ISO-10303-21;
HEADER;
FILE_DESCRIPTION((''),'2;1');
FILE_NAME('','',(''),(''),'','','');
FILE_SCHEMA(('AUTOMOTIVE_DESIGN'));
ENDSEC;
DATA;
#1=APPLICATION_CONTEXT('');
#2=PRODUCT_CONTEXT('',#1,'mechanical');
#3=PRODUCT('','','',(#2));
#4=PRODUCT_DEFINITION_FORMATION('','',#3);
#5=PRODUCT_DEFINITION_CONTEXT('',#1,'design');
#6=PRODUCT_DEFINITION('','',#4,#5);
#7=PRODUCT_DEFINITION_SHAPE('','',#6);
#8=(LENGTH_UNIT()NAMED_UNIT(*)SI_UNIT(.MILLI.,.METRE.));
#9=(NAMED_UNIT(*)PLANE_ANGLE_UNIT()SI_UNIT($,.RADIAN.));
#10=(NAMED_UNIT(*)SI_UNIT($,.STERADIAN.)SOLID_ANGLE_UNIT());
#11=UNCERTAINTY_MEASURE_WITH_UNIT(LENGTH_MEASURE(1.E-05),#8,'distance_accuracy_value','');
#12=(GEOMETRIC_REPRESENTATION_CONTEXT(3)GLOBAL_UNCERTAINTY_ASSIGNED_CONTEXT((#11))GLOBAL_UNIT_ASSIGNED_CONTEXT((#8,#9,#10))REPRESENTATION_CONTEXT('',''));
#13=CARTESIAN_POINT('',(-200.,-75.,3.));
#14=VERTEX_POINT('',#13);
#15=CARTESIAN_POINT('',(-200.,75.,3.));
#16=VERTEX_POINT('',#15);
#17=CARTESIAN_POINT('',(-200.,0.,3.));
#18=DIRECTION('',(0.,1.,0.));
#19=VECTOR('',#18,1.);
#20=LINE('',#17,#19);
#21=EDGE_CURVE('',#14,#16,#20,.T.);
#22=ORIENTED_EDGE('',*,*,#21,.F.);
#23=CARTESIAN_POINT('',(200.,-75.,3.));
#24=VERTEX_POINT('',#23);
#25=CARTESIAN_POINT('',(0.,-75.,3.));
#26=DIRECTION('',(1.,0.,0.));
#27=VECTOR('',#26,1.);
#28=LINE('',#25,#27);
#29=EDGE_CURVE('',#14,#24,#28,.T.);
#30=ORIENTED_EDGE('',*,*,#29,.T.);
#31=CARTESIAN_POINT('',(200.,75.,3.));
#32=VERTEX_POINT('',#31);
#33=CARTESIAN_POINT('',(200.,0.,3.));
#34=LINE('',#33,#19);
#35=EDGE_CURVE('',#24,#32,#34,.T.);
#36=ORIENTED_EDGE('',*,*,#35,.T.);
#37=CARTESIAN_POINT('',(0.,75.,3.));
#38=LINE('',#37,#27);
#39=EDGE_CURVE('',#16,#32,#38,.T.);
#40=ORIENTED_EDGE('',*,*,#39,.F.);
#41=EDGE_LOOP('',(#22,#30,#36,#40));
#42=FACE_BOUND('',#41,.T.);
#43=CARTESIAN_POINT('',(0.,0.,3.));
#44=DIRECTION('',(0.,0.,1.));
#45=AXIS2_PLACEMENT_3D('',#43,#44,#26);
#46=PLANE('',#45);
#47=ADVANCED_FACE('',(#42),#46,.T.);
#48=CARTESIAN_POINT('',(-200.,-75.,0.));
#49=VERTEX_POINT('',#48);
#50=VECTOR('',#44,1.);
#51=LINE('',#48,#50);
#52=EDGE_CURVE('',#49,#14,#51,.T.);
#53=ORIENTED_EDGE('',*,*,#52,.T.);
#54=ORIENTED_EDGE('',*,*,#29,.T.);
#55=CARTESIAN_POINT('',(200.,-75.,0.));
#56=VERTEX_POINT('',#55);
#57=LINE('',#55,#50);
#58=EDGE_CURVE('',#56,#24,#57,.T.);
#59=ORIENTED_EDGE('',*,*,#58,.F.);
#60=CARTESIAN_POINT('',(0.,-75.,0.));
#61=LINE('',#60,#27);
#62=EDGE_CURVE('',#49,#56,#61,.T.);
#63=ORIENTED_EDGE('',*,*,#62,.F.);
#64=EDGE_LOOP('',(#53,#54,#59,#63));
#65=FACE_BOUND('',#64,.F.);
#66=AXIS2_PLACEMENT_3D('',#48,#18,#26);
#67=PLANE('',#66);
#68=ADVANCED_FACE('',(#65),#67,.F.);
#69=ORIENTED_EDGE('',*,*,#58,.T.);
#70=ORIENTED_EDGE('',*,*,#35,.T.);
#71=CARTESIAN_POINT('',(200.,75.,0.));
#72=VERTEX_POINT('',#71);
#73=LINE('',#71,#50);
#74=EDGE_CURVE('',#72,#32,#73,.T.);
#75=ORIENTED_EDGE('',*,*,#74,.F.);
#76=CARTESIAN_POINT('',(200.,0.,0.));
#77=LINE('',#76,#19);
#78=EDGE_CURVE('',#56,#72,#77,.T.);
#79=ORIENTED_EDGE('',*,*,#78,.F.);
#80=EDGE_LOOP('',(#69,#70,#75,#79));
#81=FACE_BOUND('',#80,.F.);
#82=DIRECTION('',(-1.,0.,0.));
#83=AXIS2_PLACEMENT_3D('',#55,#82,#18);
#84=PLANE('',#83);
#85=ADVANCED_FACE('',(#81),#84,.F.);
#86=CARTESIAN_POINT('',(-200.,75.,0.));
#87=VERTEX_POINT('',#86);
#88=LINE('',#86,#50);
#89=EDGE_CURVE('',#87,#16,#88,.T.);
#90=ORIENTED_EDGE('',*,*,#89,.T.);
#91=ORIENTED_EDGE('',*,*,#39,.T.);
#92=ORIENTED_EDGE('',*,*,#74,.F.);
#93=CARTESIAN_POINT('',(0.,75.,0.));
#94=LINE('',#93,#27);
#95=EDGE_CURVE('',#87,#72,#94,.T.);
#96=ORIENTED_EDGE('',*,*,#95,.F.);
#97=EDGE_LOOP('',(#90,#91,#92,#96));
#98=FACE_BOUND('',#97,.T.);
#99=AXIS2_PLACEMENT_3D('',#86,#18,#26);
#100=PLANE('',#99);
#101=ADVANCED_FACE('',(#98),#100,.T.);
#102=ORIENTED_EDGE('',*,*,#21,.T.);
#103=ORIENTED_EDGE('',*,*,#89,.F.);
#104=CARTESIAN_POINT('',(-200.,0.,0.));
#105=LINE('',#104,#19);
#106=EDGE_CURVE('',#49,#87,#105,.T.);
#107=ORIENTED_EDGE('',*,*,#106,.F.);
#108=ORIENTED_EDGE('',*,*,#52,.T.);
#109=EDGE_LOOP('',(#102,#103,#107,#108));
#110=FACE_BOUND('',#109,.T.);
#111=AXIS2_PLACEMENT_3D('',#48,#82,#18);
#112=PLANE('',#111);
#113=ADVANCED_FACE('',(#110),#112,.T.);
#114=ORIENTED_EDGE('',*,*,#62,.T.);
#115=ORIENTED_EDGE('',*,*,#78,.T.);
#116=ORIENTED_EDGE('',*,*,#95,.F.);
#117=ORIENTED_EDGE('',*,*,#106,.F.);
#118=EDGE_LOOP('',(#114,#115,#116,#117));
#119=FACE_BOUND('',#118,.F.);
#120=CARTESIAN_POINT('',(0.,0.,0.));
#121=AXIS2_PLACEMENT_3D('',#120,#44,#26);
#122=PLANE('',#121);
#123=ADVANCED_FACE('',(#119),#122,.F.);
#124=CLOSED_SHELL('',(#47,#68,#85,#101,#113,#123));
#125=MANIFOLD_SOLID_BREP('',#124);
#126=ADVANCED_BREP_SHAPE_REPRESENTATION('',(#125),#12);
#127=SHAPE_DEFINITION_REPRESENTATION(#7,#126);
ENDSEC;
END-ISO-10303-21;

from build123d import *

# Parameters (mm, degrees)
SKETCH_W  = 400
SKETCH_H  = 150
PAD_DEPTH = 3


with BuildPart() as part:
    # Sketch → Pad (new body)
    with BuildSketch(Plane.XY):
        Rectangle(SKETCH_W, SKETCH_H)
    extrude(amount=PAD_DEPTH)


solid = part.part
